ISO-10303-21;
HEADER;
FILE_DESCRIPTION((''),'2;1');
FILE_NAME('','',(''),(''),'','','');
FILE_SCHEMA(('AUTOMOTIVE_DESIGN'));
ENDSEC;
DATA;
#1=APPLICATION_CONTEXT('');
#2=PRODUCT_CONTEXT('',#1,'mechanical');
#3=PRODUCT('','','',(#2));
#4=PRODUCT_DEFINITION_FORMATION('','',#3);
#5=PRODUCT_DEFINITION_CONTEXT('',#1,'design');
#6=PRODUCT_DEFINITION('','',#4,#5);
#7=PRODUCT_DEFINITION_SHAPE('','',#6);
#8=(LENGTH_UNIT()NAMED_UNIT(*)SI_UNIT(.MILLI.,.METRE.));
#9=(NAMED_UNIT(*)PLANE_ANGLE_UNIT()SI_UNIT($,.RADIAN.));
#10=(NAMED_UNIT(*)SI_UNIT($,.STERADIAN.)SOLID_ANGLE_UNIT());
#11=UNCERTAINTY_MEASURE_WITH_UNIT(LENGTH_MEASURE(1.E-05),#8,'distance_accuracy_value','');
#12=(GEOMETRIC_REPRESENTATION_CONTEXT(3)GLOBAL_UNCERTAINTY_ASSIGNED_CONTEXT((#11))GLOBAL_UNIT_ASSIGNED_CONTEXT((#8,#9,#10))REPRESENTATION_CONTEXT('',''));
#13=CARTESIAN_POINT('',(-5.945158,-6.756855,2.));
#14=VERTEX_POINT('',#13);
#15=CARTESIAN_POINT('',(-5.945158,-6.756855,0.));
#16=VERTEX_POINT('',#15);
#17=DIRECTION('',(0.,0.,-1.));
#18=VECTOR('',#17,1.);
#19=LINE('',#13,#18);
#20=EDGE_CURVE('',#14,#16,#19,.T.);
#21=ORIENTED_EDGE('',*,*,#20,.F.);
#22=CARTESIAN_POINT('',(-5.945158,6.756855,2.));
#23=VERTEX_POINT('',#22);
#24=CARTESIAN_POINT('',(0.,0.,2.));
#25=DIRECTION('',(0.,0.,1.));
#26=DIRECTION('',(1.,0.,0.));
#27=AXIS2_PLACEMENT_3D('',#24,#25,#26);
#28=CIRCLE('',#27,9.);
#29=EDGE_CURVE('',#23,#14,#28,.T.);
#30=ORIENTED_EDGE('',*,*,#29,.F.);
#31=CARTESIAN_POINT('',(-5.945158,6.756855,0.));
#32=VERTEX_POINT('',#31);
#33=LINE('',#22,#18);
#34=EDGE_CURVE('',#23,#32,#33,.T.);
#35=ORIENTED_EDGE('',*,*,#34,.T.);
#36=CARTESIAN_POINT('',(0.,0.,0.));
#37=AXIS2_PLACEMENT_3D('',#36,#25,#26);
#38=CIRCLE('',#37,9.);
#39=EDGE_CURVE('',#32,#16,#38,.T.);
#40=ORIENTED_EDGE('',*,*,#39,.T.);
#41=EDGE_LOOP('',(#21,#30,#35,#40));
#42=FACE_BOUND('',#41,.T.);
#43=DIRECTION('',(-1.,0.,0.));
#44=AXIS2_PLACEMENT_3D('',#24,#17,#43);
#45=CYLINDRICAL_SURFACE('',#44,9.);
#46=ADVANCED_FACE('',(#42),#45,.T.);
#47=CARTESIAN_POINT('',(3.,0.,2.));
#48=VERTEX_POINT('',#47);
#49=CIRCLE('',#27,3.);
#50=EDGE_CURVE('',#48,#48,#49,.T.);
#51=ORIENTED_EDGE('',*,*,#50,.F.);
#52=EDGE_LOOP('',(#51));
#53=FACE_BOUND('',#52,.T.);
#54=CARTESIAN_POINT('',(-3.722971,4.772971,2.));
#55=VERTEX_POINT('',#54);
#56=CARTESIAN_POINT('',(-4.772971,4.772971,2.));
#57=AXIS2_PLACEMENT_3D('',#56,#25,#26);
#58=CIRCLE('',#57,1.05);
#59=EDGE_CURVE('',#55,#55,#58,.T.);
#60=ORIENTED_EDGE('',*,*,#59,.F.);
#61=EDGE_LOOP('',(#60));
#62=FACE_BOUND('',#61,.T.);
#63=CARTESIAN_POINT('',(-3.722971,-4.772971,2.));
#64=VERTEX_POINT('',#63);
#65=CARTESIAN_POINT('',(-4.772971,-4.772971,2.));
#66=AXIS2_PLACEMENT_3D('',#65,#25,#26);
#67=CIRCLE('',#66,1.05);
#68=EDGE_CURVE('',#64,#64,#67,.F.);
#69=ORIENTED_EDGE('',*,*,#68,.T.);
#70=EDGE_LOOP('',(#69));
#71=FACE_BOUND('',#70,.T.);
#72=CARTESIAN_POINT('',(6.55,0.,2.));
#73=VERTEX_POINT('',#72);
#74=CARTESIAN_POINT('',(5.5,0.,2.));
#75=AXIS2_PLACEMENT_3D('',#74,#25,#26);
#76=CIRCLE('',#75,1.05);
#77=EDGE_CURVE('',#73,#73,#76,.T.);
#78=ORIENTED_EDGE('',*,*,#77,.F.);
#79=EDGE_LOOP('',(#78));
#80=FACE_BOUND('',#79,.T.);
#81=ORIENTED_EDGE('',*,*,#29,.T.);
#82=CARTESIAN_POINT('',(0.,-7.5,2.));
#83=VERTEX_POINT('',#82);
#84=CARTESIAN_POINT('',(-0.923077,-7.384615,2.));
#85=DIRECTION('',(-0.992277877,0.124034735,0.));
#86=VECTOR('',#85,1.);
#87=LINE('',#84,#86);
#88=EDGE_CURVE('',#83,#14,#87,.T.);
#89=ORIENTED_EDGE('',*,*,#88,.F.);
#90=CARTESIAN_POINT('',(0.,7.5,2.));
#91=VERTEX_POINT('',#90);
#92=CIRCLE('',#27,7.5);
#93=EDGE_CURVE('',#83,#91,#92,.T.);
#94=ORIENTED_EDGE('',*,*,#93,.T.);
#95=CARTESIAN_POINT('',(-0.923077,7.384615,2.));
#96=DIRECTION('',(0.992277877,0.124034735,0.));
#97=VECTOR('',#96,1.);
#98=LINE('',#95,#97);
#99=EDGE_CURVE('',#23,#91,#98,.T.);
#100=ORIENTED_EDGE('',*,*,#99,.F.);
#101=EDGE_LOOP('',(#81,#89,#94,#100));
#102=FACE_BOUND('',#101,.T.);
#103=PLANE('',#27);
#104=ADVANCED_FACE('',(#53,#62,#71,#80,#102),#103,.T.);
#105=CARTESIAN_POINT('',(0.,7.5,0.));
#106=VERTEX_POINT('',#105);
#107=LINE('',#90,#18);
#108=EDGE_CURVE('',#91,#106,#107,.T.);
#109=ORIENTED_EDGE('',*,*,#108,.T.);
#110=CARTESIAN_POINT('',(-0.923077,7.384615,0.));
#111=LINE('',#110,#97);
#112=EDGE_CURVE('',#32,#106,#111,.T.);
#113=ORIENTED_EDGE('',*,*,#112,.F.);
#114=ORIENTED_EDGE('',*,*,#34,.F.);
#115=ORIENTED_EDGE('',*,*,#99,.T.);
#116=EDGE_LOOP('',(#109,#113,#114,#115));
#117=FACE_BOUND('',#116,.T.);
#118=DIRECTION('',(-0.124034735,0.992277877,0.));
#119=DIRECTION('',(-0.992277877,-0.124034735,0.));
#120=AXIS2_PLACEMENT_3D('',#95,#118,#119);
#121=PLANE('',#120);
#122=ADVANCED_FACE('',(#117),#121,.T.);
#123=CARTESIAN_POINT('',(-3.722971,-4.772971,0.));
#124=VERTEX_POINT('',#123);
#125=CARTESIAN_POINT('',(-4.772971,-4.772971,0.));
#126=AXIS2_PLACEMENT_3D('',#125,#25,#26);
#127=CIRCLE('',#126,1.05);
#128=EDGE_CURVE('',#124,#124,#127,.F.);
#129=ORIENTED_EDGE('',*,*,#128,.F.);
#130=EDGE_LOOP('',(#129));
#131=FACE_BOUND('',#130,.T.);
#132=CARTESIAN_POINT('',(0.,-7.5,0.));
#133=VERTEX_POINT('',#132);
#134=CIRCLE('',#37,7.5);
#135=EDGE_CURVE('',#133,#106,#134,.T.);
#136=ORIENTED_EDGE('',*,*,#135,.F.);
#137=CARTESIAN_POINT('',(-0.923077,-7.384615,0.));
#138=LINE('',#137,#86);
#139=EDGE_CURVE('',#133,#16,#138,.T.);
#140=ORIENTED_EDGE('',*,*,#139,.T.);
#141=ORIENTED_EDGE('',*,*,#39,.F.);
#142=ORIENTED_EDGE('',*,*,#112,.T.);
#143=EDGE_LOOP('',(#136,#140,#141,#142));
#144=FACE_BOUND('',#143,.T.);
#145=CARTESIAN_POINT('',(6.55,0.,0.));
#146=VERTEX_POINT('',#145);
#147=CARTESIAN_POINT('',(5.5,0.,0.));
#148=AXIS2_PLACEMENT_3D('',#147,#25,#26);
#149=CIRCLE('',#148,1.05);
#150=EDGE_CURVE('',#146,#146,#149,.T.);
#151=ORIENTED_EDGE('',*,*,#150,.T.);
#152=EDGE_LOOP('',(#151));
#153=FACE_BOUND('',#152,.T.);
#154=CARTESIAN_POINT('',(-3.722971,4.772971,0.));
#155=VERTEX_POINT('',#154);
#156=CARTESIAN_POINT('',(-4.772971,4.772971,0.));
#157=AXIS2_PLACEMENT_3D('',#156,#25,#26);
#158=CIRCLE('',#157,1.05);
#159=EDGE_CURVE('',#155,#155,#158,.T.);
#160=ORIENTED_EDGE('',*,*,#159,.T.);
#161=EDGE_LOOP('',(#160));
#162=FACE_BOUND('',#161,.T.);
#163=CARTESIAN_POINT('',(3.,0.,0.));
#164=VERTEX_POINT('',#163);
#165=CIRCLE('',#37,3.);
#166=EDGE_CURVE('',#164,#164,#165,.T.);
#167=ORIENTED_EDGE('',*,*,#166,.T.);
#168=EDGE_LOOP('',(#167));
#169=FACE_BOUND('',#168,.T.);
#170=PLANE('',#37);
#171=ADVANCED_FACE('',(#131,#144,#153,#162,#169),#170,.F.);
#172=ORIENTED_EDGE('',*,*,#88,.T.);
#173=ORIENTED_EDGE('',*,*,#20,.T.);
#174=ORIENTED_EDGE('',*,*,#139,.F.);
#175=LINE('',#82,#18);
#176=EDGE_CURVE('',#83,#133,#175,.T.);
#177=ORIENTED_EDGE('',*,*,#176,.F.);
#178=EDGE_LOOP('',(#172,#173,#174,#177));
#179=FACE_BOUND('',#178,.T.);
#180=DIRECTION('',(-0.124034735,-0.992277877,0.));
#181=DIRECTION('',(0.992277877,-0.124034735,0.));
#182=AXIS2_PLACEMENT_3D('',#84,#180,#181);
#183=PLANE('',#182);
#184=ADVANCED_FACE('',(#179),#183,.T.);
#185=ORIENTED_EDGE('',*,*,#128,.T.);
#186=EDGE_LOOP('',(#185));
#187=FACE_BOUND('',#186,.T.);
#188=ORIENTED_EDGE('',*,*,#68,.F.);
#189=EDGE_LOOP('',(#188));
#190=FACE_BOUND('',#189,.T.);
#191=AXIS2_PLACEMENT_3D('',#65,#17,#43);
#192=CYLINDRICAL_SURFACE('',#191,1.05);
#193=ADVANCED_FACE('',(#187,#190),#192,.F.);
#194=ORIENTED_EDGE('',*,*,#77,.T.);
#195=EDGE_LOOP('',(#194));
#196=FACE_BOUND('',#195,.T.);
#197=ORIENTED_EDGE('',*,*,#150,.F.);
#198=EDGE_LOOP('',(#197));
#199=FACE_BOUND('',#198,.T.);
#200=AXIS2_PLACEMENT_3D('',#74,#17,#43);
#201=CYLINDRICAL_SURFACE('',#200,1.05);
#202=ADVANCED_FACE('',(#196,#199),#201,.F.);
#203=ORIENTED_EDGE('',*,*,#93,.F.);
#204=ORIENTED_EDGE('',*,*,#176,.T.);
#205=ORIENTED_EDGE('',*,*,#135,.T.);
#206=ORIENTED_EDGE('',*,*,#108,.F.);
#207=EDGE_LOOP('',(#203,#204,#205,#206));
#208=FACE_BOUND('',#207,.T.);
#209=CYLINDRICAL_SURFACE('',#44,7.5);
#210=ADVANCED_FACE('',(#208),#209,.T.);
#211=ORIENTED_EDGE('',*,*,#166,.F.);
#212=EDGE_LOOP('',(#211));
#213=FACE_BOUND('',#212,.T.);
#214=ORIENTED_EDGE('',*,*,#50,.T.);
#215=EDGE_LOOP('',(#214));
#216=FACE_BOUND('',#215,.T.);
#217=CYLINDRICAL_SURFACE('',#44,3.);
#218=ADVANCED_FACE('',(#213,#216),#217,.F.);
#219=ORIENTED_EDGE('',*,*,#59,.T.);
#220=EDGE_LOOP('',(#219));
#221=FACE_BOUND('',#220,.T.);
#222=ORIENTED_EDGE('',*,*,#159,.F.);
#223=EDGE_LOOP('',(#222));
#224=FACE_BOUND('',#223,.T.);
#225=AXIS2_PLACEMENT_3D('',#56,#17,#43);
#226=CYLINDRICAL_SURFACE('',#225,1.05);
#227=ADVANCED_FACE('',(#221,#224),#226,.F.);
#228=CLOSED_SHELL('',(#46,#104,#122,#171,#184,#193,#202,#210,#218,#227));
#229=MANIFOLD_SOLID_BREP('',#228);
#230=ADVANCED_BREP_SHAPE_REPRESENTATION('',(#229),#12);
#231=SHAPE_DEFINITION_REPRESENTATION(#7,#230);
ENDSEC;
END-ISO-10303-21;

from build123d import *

# Parameters (mm, degrees)
ESQUISSE1_R        = 1.05
ESQUISSE1_R_2      = 3
BOSS_EXTRU_1_DEPTH = 2


with BuildPart() as part:
    # Esquisse1 → Boss.-Extru.1 (new body)
    with BuildSketch(Plane.XY):
        with BuildLine():
            ThreePointArc((-5.945158342, 6.756855207), (-9, 0), (-5.945158342, -6.756855207))
            Line((-5.945158342, -6.756855207), (0, -7.5))
            ThreePointArc((0, -7.5), (7.5, 0), (0, 7.5))
            Line((0, 7.5), (-5.945158342, 6.756855207))
        make_face()
        with Locations((-4.772970773, 4.772970773)):
            Circle(ESQUISSE1_R, mode=Mode.SUBTRACT)
        with Locations((-4.772970773, -4.772970773)):
            Circle(ESQUISSE1_R, mode=Mode.SUBTRACT)
        Circle(ESQUISSE1_R_2, mode=Mode.SUBTRACT)
        with Locations((5.5, 0)):
            Circle(ESQUISSE1_R, mode=Mode.SUBTRACT)
    extrude(amount=BOSS_EXTRU_1_DEPTH)


solid = part.part
